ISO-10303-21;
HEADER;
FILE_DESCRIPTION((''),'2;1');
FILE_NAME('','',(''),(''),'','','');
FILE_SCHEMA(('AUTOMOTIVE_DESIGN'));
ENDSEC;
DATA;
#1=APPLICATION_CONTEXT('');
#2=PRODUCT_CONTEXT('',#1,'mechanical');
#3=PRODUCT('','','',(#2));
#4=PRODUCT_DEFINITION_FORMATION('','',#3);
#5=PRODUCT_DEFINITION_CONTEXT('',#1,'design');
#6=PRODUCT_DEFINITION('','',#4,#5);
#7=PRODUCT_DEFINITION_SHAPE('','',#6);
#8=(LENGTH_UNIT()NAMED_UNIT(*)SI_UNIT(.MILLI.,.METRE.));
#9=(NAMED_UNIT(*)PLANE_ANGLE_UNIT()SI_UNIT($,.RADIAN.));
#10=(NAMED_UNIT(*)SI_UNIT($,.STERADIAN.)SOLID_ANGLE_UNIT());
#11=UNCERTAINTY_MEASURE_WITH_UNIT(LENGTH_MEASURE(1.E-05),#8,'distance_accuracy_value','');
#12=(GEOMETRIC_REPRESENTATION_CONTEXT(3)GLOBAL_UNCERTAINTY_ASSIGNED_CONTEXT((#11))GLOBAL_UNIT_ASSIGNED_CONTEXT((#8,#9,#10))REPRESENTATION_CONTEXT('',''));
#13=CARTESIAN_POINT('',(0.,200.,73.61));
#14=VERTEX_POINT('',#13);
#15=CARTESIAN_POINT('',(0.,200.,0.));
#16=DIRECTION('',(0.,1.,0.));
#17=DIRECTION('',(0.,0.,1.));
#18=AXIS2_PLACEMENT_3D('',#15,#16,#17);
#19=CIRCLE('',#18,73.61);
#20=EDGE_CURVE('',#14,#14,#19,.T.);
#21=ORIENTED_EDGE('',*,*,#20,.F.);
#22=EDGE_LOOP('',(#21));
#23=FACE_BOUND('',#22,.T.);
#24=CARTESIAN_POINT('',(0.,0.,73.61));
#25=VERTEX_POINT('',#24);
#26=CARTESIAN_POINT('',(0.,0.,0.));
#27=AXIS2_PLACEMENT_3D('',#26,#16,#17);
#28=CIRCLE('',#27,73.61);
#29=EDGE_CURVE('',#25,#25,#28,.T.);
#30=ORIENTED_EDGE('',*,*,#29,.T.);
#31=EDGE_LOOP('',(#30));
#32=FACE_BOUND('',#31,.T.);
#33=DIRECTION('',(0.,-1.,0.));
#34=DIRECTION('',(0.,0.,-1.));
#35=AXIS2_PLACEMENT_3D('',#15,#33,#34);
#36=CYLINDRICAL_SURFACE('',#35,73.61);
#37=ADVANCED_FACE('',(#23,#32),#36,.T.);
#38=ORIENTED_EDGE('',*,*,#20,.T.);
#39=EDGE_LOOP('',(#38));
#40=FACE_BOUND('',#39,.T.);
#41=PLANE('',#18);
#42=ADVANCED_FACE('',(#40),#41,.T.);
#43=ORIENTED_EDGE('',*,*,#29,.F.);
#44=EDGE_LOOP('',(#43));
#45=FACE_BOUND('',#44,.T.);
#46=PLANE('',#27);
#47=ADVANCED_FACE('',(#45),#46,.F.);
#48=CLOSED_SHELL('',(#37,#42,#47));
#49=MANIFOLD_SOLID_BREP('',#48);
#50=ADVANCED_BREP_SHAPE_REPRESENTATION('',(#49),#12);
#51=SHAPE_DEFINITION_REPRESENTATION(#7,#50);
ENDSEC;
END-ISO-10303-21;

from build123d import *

# Parameters (mm, degrees)
ESQUISSE1_R        = 73.61
BOSS_EXTRU_1_DEPTH = 200


with BuildPart() as part:
    # Esquisse1 → Boss.-Extru.1 (new body)
    with BuildSketch(Plane(origin=(0, 0, 0), x_dir=(1, 0, 0), z_dir=(0, 1, 0))):
        with Locations(Location((0, 0, 0), (0, 0, 270))):
            Circle(ESQUISSE1_R)
    extrude(amount=BOSS_EXTRU_1_DEPTH)


solid = part.part
